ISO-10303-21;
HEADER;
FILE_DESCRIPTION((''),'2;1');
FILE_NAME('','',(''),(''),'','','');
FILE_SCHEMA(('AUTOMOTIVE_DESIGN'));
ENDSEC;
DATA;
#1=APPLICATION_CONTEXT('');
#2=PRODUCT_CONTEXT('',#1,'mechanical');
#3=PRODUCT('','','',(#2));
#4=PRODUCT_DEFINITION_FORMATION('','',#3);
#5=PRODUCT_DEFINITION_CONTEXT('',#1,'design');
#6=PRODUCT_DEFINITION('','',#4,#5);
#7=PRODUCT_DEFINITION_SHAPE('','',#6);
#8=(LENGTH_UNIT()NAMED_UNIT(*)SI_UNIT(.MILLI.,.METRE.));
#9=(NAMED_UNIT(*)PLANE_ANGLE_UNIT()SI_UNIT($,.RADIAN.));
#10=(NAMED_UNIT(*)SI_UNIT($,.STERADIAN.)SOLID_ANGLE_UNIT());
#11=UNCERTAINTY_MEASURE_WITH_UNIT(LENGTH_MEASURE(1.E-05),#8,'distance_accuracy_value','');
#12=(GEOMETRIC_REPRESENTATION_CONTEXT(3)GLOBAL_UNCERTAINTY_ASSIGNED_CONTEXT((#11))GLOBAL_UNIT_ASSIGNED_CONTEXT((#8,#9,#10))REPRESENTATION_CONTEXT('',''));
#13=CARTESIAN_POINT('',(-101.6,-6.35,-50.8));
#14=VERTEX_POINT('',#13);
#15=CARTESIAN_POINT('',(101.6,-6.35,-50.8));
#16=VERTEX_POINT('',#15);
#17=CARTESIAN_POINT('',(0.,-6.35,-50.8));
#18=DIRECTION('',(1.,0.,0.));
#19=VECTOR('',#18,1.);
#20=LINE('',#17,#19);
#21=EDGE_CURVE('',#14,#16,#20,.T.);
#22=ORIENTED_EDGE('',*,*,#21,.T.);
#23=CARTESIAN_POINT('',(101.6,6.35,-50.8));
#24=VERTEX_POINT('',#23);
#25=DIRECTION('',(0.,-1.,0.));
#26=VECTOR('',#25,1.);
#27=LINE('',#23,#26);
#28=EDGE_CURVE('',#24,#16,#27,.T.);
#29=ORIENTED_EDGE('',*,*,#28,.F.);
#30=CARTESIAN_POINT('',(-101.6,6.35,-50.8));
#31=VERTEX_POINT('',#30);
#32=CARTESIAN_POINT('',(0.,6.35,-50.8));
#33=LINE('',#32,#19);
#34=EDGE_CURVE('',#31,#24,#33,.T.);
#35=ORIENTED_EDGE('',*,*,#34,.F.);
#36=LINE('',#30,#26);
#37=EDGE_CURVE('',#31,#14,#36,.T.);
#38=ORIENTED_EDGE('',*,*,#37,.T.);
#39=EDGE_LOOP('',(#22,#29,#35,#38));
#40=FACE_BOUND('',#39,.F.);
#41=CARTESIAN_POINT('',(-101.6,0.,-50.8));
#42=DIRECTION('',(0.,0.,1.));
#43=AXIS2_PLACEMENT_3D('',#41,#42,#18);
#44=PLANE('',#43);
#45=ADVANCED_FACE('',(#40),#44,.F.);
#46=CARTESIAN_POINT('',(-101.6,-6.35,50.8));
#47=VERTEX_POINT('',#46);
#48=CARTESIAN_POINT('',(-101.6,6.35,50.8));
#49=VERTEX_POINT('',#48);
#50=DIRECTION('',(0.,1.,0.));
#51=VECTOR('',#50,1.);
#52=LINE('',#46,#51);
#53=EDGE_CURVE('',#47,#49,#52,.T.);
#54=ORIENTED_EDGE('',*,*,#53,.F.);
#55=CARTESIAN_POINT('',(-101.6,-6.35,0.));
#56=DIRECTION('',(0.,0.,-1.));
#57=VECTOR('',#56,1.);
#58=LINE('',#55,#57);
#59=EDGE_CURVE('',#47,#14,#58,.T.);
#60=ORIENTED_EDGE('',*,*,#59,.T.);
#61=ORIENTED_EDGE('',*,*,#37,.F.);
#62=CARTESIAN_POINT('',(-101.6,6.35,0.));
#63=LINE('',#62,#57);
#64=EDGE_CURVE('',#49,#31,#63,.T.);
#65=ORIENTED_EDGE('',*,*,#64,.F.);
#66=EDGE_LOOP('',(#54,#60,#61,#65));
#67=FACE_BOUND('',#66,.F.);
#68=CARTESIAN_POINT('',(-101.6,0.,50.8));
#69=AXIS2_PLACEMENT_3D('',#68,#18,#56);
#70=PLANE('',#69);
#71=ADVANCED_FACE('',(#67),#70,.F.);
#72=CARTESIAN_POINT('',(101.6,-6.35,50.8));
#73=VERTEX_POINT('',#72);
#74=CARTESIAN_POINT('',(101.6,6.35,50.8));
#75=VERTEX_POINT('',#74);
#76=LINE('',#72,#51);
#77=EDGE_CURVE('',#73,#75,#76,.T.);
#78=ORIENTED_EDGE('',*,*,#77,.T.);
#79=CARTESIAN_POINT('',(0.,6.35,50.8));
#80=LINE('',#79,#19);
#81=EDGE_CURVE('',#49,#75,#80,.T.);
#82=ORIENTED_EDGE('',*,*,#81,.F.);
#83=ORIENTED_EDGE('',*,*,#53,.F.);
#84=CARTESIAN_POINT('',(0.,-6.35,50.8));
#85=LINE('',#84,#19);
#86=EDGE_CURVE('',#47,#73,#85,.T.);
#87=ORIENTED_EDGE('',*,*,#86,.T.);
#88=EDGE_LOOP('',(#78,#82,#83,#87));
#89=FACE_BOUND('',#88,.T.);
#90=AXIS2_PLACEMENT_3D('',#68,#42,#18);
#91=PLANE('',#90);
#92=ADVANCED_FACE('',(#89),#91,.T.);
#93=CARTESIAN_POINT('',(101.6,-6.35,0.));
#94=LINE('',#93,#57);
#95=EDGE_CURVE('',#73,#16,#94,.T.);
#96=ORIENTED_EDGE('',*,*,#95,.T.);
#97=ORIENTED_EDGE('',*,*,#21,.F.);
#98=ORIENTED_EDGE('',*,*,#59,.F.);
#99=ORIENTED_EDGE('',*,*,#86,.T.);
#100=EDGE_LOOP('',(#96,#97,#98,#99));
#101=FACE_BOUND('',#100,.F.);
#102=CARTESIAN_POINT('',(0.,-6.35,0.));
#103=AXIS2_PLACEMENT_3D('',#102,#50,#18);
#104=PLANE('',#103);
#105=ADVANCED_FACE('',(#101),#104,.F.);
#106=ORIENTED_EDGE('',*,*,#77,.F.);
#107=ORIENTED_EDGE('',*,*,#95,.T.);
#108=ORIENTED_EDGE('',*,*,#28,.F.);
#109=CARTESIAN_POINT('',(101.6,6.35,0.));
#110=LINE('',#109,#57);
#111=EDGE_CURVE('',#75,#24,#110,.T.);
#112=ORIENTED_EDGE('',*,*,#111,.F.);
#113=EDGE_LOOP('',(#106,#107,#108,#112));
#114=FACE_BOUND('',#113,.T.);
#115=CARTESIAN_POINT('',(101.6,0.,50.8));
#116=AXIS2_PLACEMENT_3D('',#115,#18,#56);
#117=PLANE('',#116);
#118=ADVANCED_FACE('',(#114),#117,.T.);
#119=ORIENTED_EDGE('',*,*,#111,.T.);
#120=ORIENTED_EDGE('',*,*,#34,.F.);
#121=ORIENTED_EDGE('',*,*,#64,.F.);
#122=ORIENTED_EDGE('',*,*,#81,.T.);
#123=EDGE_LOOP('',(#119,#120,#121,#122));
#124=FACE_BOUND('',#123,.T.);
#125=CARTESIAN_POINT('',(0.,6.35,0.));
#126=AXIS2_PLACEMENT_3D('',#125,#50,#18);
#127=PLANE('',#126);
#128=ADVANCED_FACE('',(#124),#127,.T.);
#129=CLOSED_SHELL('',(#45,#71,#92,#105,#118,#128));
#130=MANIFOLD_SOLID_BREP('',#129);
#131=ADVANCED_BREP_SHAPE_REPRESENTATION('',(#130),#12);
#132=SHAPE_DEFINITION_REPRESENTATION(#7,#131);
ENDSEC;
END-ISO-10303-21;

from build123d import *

# Parameters (mm, degrees)
SKETCH1_W           = 203.2
SKETCH1_H           = 101.6
BOSS_EXTRUDE1_DEPTH = 6.35


with BuildPart() as part:
    # Sketch1 → Boss-Extrude1 (new body, symmetric)
    with BuildSketch(Plane(origin=(0, 0, 0), x_dir=(1, 0, 0), z_dir=(0, 1, 0))):
        Rectangle(SKETCH1_W, SKETCH1_H)
    extrude(amount=BOSS_EXTRUDE1_DEPTH, both=True)


solid = part.part
